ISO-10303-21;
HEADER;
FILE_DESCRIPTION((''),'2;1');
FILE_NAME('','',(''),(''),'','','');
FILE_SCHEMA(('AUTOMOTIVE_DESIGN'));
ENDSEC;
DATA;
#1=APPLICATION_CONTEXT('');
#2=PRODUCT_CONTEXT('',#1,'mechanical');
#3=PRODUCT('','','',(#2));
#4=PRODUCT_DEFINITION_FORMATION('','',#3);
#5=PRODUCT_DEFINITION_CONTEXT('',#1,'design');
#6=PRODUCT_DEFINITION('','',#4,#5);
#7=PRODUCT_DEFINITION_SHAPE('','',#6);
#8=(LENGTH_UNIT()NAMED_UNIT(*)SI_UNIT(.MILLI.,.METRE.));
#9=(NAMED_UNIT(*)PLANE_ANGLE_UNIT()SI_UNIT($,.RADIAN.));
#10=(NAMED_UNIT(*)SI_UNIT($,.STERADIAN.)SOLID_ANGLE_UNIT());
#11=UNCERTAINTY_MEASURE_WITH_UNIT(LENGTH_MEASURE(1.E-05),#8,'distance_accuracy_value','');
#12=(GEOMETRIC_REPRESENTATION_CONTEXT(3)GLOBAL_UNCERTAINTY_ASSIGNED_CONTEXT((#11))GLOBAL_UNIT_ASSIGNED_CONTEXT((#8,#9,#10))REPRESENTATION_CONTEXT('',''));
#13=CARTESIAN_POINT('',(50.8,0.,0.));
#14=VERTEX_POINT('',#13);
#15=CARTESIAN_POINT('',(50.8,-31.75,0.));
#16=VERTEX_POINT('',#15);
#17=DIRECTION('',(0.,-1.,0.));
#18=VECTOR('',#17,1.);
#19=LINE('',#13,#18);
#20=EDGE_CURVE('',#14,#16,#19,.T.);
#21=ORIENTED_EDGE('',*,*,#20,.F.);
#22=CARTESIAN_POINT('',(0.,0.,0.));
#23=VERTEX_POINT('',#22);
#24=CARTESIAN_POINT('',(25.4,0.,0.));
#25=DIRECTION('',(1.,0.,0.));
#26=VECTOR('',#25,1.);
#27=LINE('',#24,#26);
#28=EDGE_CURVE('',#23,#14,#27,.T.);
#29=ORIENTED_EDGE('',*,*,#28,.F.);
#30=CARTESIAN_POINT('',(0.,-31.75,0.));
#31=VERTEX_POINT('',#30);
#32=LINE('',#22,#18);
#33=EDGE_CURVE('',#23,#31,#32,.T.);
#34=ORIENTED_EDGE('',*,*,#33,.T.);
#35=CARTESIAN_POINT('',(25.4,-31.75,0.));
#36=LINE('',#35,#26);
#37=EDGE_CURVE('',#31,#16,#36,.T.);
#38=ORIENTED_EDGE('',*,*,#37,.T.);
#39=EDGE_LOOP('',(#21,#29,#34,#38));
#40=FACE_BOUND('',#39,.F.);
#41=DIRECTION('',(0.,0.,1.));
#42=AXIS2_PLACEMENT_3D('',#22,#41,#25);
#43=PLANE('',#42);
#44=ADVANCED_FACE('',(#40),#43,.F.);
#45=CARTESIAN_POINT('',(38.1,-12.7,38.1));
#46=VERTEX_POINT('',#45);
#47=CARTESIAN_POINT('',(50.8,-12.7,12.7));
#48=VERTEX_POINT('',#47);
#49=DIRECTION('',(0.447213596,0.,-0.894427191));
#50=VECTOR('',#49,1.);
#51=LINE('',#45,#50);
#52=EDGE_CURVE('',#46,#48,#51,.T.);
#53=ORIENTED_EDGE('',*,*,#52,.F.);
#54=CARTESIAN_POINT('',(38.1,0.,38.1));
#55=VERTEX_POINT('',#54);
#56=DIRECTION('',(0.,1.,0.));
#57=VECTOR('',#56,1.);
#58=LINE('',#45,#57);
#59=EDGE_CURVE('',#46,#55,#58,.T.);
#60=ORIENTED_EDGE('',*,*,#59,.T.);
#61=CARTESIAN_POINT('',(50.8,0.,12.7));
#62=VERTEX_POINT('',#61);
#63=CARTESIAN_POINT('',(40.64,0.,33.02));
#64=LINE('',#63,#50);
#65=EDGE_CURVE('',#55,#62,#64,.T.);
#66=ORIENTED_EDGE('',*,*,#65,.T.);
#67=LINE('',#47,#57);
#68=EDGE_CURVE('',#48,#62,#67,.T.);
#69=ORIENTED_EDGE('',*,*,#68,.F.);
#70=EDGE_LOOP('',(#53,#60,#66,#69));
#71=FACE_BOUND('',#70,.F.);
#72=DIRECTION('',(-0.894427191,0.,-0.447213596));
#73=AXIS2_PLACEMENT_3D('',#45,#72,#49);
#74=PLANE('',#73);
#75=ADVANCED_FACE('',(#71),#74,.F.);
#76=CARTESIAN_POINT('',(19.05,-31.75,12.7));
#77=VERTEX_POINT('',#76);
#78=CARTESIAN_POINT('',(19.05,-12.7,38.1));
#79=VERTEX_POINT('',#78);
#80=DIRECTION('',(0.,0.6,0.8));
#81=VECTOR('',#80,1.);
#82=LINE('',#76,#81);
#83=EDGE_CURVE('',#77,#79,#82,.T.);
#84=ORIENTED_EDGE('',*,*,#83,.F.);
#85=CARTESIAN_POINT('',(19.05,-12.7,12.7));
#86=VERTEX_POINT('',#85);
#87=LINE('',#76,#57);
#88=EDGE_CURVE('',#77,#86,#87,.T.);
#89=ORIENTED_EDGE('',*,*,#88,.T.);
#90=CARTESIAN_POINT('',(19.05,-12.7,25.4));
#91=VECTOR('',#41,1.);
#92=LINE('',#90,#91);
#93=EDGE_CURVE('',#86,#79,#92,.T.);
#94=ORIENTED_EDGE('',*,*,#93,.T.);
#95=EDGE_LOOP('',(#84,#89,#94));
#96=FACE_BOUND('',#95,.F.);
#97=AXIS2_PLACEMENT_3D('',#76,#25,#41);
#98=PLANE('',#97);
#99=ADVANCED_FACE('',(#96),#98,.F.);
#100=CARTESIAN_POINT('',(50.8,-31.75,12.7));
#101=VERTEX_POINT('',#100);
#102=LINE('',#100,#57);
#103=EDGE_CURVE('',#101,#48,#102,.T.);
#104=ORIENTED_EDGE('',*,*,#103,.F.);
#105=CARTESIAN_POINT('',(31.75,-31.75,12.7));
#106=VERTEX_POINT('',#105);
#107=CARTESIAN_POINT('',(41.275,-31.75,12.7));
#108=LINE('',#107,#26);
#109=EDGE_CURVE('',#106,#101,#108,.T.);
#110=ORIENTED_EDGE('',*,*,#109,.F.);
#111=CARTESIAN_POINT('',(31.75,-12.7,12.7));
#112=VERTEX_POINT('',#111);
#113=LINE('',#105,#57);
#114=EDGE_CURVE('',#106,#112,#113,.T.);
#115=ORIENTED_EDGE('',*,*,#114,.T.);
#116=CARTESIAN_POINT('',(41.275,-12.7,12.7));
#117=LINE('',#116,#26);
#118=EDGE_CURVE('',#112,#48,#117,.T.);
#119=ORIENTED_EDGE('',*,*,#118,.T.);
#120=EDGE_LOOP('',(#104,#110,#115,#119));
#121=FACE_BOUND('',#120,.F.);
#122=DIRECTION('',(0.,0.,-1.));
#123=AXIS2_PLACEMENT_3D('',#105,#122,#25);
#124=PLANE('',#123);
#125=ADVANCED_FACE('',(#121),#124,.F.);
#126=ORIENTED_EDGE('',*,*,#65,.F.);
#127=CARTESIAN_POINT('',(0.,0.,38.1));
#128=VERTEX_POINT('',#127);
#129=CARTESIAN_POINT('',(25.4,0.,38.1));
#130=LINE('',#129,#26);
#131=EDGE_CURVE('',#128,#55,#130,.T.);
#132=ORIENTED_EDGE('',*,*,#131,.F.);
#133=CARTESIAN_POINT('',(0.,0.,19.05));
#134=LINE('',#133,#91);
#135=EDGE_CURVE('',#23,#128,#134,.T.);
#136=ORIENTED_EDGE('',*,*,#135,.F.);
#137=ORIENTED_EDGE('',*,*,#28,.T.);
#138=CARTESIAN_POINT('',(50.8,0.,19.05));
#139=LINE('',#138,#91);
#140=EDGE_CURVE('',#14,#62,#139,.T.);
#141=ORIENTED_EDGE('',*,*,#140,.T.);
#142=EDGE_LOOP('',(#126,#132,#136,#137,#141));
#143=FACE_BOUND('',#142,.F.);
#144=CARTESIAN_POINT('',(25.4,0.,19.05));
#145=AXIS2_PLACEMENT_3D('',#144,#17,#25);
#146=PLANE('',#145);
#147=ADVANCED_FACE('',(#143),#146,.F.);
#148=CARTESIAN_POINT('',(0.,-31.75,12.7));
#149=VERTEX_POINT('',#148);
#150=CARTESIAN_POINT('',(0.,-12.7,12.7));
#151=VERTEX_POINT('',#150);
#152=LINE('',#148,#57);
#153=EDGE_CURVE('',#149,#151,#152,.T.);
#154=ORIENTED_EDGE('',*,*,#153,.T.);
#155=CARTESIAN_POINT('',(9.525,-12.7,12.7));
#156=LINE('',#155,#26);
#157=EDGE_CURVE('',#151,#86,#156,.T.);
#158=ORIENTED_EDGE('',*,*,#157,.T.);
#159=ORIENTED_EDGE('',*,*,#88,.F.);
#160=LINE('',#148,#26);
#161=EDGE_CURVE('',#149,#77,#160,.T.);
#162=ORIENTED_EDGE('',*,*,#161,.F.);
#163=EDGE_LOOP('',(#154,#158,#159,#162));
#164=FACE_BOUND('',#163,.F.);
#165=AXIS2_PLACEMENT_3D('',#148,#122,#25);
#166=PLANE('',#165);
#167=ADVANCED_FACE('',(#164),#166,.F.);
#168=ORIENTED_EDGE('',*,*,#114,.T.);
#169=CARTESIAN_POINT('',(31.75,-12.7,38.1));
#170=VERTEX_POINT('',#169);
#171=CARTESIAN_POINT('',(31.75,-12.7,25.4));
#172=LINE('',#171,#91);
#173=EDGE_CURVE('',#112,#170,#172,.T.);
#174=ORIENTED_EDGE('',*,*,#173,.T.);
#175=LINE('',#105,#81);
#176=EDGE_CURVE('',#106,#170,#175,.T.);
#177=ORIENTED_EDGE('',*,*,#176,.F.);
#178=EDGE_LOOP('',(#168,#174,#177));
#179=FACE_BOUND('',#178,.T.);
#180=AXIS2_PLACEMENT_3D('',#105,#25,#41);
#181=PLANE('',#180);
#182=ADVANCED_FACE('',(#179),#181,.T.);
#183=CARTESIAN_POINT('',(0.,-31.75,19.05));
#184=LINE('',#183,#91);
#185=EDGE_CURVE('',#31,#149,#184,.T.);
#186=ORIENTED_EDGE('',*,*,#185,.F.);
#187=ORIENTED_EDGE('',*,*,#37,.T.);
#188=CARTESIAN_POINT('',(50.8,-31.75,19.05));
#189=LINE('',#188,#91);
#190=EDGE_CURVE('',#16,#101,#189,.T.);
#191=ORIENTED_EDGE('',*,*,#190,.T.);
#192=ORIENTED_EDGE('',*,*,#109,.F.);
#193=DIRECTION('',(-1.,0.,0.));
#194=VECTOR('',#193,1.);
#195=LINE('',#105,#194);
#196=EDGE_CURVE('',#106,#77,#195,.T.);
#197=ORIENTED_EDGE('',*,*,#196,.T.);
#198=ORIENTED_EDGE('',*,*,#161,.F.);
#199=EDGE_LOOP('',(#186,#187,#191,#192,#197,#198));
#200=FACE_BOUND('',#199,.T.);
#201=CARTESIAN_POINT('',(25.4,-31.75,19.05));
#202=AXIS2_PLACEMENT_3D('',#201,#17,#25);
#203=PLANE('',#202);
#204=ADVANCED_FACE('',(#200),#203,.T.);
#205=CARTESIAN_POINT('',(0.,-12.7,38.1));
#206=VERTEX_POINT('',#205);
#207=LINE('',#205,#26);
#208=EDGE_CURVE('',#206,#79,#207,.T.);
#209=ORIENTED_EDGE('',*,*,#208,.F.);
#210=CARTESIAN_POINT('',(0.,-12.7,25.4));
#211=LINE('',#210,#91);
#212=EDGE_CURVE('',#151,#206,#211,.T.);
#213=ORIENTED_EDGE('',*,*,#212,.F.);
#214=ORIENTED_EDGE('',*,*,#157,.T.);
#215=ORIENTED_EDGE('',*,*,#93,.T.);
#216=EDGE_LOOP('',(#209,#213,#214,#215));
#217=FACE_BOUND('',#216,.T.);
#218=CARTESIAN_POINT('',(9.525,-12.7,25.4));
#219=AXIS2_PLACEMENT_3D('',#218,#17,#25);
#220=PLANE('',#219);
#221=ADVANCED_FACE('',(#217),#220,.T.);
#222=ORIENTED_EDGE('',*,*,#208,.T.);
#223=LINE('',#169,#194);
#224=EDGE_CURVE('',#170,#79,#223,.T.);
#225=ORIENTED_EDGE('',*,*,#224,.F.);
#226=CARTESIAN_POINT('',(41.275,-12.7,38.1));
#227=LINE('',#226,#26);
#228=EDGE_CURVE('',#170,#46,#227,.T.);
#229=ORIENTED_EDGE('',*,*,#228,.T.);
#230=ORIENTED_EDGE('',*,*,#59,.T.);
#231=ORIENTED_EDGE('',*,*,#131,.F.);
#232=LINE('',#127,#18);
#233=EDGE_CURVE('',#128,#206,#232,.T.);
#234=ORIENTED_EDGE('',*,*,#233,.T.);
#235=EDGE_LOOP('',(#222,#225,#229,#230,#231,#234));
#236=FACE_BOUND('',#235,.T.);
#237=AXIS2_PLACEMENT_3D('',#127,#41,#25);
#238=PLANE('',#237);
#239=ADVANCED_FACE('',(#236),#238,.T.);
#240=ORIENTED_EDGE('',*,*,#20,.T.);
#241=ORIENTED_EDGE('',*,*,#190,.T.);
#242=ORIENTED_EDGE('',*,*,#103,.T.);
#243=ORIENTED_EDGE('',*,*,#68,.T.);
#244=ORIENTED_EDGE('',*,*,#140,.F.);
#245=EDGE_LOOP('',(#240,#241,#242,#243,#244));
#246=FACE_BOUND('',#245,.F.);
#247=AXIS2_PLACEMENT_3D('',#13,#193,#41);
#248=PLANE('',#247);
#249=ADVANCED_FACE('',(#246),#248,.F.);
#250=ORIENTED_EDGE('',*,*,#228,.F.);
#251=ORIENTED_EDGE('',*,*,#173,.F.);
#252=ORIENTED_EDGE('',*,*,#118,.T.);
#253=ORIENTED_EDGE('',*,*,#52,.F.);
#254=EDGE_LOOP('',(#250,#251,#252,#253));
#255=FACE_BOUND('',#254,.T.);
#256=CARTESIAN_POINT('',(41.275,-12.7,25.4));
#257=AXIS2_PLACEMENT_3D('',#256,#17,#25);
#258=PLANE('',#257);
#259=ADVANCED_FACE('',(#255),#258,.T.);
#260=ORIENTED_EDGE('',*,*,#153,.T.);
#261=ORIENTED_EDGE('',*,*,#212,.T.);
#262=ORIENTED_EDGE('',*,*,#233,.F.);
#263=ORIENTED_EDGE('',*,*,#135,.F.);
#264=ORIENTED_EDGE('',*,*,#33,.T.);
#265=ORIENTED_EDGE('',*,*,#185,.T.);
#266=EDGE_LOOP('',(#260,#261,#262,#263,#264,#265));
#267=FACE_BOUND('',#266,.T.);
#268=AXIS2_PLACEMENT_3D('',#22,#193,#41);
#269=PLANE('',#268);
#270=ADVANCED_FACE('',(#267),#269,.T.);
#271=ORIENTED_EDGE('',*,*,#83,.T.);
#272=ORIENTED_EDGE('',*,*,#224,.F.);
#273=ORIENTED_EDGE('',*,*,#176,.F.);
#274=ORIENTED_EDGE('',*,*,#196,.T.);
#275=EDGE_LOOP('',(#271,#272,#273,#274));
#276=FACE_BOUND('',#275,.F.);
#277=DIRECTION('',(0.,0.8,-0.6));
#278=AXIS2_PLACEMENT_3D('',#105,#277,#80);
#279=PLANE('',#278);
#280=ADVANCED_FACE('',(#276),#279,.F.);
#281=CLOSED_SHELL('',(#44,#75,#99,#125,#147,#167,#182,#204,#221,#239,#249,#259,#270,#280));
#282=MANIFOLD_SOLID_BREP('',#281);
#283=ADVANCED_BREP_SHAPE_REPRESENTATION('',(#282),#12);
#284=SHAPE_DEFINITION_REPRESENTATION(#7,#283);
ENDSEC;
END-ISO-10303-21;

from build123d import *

# Parameters (mm, degrees)
F0_W     = 50.8
F0_H     = 38.1
F1_DEPTH = 31.75
F2_W     = 19.05
F2_H     = 25.4
F3_DEPTH = 19.05
F4_W     = 19.05
F4_H     = 25.4
F5_DEPTH = 19.05
F7_DEPTH = 25.4
F9_DEPTH = 25.4


with BuildPart() as f1:
    # F0 (on Front) → F1 (new body)
    with BuildSketch(Plane.XZ):
        with Locations((25.4, 19.05)):
            Rectangle(F0_W, F0_H)
    extrude(amount=F1_DEPTH)

    # F2 (on face) → F3 (cut)
    with BuildSketch(Plane.XZ.offset(31.75)):
        with Locations((9.525, 25.4)):
            Rectangle(F2_W, F2_H)
    extrude(amount=-F3_DEPTH, mode=Mode.SUBTRACT)

    # F4 (on face) → F5 (cut)
    with BuildSketch(Plane.XZ.offset(31.75)):
        with Locations((41.275, 25.4)):
            Rectangle(F4_W, F4_H)
    extrude(amount=-F5_DEPTH, mode=Mode.SUBTRACT)

    # F6 (on face) → F7 (cut)
    with BuildSketch(Plane.YZ.offset(31.75)):
        Polygon((-31.75, 38.1), (-31.75, 12.7), (-12.7, 38.1), align=None)
    extrude(amount=-F7_DEPTH, mode=Mode.SUBTRACT)

    # F8 (on face) → F9 (cut)
    with BuildSketch(Plane.XZ.offset(12.7)):
        Polygon((50.8, 38.1), (38.1, 38.1), (50.8, 12.7), align=None)
    extrude(amount=-F9_DEPTH, mode=Mode.SUBTRACT)


solid = f1.part
